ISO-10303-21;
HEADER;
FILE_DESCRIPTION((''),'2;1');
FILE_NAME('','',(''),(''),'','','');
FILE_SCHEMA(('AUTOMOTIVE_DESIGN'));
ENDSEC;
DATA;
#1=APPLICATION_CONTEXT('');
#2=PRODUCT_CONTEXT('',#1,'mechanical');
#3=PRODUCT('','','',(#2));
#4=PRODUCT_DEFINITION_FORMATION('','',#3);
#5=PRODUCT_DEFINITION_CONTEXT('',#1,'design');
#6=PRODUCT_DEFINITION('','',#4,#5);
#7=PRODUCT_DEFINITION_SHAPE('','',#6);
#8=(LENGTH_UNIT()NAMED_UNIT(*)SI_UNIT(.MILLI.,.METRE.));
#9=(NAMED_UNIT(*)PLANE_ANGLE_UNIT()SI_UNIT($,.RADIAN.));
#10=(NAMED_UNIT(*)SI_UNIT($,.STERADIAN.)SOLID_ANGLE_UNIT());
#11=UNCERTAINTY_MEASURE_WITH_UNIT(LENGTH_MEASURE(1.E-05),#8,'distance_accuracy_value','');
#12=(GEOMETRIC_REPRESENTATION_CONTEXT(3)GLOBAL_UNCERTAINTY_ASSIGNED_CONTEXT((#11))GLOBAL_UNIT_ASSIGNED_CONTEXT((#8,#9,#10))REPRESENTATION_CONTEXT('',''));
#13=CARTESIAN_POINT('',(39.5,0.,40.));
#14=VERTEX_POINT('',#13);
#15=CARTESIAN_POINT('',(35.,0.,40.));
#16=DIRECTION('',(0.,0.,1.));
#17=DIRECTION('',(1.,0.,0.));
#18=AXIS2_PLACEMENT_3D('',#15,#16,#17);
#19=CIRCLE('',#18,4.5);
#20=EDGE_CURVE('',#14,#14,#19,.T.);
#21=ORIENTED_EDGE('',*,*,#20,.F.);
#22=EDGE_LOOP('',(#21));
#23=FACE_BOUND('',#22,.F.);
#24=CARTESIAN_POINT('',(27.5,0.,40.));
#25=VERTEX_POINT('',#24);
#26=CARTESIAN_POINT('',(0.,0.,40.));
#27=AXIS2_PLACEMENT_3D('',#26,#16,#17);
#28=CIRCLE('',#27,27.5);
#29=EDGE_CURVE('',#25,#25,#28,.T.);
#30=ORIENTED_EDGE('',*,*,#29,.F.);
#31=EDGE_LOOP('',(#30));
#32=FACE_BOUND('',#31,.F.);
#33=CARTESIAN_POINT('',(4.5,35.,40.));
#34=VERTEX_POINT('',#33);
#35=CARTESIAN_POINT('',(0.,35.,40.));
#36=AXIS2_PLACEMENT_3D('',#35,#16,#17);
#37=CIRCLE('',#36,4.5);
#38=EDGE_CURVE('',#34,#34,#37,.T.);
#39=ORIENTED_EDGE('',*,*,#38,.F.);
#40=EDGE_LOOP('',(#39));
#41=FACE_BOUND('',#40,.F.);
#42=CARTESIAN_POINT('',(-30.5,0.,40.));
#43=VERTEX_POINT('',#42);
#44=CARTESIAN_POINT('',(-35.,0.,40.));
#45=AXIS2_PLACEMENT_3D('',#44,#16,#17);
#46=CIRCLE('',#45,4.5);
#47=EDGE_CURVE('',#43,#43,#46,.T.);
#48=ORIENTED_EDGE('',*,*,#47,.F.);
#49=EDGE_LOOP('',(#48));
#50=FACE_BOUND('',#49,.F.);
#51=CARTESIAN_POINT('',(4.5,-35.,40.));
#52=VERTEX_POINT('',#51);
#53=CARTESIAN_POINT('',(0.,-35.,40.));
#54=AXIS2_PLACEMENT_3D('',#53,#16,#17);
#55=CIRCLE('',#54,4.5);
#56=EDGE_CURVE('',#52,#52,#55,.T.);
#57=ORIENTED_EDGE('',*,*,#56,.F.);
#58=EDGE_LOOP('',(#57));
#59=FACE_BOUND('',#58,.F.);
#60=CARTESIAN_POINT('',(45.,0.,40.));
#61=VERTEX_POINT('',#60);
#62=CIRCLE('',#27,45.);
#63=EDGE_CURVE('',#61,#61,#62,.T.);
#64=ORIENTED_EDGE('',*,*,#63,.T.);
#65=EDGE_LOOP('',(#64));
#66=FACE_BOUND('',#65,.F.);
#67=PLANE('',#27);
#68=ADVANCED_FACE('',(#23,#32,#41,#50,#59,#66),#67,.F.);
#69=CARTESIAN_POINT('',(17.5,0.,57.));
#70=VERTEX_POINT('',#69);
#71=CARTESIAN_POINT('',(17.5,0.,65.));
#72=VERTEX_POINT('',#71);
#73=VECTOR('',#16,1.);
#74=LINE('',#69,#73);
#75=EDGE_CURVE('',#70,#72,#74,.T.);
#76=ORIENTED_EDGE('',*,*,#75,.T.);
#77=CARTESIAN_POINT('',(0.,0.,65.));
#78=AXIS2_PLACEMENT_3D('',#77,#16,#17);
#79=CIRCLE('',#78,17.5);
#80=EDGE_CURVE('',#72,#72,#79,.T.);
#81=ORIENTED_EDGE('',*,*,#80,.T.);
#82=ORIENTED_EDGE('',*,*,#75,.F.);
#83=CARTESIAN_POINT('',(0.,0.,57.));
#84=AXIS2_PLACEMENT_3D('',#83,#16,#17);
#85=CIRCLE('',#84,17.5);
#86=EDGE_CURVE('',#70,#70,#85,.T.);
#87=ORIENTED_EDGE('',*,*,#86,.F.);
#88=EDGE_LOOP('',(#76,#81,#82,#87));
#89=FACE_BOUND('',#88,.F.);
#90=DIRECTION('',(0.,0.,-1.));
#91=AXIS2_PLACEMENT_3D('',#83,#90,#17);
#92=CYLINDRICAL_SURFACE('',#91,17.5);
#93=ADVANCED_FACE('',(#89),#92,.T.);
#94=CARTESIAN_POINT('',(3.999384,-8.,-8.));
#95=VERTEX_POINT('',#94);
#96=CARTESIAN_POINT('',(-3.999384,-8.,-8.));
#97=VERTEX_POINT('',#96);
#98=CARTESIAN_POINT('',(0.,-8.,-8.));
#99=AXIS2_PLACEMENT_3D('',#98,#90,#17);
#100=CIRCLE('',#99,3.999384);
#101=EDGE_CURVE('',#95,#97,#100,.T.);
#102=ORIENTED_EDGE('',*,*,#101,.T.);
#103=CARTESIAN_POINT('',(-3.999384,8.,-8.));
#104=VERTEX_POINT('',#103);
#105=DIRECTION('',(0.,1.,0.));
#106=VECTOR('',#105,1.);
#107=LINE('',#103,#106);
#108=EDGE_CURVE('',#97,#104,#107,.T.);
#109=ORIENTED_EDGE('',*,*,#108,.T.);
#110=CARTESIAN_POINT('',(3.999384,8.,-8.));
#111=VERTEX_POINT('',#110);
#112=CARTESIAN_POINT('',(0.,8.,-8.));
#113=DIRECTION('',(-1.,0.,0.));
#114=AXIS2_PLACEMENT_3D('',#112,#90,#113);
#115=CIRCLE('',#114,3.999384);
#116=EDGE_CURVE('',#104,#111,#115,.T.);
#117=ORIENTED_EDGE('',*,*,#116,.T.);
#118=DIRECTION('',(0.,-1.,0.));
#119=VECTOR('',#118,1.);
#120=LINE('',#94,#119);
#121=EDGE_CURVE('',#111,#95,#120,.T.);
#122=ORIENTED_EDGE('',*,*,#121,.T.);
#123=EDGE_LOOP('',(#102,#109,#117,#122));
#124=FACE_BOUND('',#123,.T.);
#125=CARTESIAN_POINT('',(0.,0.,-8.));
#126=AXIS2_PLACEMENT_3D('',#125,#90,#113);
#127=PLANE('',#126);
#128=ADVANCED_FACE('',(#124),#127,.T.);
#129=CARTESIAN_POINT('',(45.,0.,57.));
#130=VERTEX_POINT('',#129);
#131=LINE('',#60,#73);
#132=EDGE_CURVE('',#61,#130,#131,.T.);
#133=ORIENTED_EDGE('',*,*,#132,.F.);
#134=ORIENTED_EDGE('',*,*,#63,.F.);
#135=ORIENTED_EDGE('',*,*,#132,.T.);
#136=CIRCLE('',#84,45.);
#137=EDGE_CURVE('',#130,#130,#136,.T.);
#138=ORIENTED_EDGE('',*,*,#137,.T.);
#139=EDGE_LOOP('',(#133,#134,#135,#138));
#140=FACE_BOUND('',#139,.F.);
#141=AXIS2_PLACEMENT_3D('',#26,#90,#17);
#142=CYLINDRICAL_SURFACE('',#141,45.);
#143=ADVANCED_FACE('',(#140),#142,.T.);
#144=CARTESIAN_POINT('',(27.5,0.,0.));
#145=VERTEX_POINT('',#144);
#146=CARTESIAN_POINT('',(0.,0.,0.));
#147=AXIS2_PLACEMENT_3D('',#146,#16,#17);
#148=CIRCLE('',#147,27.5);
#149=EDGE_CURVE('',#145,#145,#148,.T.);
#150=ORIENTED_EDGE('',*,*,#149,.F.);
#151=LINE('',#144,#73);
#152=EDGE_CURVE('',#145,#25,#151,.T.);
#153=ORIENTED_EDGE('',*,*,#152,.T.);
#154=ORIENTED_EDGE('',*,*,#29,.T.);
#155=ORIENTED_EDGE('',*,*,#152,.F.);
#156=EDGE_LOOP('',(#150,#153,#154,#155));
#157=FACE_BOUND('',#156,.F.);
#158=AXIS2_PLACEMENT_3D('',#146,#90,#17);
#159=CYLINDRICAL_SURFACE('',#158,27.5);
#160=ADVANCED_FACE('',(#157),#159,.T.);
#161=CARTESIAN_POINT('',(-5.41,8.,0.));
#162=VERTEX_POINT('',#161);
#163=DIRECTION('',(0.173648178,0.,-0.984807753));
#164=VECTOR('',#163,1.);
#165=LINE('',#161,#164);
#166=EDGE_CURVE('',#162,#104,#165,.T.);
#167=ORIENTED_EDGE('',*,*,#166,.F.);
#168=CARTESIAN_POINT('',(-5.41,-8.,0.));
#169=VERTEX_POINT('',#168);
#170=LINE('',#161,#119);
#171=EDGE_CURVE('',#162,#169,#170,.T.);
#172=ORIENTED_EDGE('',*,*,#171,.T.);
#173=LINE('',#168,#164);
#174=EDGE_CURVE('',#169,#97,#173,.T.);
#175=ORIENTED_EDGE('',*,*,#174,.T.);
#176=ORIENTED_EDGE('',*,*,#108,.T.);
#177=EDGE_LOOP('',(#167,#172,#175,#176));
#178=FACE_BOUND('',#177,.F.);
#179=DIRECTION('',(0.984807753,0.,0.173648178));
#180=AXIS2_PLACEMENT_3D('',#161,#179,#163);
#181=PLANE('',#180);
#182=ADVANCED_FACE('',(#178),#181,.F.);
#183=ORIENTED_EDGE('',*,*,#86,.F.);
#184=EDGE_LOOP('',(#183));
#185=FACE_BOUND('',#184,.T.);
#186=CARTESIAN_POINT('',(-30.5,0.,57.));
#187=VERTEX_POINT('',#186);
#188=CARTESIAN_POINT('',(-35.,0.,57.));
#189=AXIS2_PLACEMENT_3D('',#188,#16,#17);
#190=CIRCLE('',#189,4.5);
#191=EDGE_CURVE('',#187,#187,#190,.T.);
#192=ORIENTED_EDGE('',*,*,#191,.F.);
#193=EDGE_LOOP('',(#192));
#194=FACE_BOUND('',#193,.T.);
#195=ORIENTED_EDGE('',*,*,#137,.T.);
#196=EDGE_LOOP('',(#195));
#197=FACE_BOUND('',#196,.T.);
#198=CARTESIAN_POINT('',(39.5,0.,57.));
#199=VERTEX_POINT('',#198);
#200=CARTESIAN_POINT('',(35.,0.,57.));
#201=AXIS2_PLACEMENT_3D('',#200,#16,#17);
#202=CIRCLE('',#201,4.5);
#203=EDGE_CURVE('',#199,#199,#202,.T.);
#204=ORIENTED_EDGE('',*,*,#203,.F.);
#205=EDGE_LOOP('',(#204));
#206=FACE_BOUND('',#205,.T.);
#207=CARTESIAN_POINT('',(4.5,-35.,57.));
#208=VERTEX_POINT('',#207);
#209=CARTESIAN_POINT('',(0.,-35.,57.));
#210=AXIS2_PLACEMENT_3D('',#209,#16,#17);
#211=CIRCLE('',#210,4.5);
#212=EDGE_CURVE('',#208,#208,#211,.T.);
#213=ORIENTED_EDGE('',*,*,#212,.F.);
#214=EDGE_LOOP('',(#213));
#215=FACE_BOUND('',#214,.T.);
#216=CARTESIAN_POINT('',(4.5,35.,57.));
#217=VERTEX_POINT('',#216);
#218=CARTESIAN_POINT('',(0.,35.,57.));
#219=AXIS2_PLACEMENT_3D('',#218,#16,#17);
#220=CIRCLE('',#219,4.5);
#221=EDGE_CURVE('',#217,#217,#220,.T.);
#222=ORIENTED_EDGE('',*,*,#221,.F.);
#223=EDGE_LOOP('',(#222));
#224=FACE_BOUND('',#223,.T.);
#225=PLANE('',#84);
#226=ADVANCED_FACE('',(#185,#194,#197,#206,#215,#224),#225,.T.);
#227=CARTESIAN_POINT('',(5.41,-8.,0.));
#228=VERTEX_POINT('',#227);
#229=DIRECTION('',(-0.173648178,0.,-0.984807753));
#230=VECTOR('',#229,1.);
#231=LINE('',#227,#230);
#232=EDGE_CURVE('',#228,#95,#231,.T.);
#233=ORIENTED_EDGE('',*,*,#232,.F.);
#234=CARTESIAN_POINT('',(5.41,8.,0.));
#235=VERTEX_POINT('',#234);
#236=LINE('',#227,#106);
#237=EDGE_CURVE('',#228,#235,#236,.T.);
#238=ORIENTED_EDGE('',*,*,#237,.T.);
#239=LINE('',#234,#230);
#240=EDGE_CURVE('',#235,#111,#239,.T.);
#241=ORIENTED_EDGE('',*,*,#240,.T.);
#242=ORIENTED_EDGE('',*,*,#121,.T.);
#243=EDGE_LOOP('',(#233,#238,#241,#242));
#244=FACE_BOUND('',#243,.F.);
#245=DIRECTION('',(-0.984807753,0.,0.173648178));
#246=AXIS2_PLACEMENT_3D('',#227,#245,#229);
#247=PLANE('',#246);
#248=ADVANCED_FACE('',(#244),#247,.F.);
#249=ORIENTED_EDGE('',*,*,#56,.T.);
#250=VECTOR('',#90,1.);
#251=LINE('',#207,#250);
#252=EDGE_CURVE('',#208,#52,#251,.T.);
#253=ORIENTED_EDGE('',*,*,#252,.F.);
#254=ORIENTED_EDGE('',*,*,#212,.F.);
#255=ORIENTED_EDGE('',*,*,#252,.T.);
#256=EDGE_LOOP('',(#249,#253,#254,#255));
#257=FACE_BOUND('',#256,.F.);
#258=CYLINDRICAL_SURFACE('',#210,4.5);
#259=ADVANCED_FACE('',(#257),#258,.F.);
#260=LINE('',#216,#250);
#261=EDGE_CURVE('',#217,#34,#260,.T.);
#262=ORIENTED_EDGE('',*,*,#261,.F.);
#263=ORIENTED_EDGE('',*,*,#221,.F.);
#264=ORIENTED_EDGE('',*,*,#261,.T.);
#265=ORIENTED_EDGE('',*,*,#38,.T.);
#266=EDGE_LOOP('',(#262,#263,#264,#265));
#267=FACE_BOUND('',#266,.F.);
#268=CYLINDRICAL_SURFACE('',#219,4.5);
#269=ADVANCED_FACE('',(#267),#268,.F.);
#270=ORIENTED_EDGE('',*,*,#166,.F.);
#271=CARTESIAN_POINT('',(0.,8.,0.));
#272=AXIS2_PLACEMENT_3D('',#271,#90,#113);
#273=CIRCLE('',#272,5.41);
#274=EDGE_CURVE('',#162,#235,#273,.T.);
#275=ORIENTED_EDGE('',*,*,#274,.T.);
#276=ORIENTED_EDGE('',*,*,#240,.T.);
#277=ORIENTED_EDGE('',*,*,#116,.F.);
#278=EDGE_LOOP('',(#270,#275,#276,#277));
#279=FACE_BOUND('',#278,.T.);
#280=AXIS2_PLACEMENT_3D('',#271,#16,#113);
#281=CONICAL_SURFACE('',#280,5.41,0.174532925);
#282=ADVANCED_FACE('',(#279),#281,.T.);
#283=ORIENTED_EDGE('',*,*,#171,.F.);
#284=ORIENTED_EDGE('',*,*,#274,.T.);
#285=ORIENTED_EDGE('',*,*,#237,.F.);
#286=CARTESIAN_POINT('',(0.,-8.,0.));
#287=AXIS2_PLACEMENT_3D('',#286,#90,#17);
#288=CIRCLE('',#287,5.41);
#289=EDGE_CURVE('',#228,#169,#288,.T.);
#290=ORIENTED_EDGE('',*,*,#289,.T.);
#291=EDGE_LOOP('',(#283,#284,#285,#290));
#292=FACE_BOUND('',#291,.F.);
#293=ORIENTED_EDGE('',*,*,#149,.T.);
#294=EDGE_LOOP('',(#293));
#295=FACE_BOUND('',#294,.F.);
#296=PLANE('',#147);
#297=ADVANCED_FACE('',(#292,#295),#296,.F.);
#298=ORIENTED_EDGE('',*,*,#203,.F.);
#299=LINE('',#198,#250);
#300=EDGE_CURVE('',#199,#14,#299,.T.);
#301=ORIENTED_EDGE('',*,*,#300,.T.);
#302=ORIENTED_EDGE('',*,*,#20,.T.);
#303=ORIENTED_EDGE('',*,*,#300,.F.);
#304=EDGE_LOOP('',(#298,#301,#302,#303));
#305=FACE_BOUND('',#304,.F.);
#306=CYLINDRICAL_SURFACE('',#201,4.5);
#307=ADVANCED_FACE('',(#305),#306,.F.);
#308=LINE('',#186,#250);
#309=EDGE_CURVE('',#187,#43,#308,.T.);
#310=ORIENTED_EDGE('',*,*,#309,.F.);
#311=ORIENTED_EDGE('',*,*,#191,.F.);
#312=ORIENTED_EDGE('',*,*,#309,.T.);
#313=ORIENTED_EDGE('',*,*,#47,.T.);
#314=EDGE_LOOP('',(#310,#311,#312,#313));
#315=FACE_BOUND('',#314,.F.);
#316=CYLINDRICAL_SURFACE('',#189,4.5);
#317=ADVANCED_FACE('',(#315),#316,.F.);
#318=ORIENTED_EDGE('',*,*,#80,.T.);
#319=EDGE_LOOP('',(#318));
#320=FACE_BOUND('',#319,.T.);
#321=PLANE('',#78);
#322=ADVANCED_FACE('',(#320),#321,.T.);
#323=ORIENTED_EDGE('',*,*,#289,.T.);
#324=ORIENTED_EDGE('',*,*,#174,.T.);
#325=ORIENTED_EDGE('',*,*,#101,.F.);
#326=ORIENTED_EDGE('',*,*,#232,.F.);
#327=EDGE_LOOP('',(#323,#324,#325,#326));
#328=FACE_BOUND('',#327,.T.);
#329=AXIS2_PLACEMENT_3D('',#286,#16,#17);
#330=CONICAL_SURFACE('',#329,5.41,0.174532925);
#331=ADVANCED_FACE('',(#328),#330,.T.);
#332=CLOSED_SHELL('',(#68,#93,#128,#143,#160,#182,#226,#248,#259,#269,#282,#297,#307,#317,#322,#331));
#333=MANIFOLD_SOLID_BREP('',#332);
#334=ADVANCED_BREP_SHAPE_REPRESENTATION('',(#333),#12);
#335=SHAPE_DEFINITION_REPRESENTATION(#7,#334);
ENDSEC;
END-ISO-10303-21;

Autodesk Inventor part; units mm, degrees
ref_plane "YZ Plane" through (0, 0, 0) normal (1, 0, 0) x (0, 1, 0)
ref_plane "XZ Plane" through (0, 0, 0) normal (0, 1, 0) x (-1, 0, 0)
ref_plane "XY Plane" through (0, 0, 0) normal (0, 0, 1) x (1, 0, 0)
sketch "Esboço1" plane through (0, 0, 0) normal (0, 0, 1) x (1, 0, 0)
  circle A0 centre (0, 0) radius 27.5
  dimension "d0" = 55
extrude "Extrusão1" add sketch "Esboço1" along normal blind 40
sketch "Esboço2" plane through (0, 0, 40) normal (0, 0, 1) x (1, 0, 0)
  circle A0 centre (0, 0) radius 45
  dimension "d3" = 90
extrude "Extrusão2" add sketch "Esboço2" along normal blind 17
sketch "Esboço3" plane through (0, 0, 57) normal (0, 0, 1) x (1, 0, 0)
  circle A0 centre (35, 0) radius 4.5
  circle A1 centre (0, 35) radius 4.5
  circle A2 centre (-35, 0) radius 4.5
  circle A3 centre (0, -35) radius 4.5
  point P0 (0, 0)
  dimension "d7" = 9
  dimension "d8" = 35
  dimension "d11" = 360
extrude "Extrusão3" cut sketch "Esboço3" against normal blind 17.5
sketch "Esboço4" plane through (0, 0, 57) normal (0, 0, 1) x (1, 0, 0)
  circle A0 centre (0, 0) radius 27.5 projected
  circle A1 centre (0, 0) radius 17.5
  dimension "d15" = 35
extrude "Extrusão4" add sketch "Esboço4" along normal blind 8 contours A1
sketch "Esboço6" plane through (0, 0, 0) normal (0, 0, -1) x (-1, 0, 0)
  line L0 (0, 8) -> (0, -8) construction
  line L1 (5.41, 8) -> (5.41, -8)
  line L2 (-5.41, -8) -> (-5.41, 8)
  arc A0 (5.41, 8) -> (-5.41, 8) centre (0, 8) ccw
  arc A1 (-5.41, -8) -> (5.41, -8) centre (0, -8) ccw
  point P0 (0, 0)
  point P1 (0, 0)
  dimension "d24" = 5.41
  dimension "d25" = 16
  dimension "d26" = 0
  dimension "d27" = 0
extrude "Extrusão5" add sketch "Esboço6" along normal blind 8 draft -10
properties part number "Matriz superior do Ferramental"
